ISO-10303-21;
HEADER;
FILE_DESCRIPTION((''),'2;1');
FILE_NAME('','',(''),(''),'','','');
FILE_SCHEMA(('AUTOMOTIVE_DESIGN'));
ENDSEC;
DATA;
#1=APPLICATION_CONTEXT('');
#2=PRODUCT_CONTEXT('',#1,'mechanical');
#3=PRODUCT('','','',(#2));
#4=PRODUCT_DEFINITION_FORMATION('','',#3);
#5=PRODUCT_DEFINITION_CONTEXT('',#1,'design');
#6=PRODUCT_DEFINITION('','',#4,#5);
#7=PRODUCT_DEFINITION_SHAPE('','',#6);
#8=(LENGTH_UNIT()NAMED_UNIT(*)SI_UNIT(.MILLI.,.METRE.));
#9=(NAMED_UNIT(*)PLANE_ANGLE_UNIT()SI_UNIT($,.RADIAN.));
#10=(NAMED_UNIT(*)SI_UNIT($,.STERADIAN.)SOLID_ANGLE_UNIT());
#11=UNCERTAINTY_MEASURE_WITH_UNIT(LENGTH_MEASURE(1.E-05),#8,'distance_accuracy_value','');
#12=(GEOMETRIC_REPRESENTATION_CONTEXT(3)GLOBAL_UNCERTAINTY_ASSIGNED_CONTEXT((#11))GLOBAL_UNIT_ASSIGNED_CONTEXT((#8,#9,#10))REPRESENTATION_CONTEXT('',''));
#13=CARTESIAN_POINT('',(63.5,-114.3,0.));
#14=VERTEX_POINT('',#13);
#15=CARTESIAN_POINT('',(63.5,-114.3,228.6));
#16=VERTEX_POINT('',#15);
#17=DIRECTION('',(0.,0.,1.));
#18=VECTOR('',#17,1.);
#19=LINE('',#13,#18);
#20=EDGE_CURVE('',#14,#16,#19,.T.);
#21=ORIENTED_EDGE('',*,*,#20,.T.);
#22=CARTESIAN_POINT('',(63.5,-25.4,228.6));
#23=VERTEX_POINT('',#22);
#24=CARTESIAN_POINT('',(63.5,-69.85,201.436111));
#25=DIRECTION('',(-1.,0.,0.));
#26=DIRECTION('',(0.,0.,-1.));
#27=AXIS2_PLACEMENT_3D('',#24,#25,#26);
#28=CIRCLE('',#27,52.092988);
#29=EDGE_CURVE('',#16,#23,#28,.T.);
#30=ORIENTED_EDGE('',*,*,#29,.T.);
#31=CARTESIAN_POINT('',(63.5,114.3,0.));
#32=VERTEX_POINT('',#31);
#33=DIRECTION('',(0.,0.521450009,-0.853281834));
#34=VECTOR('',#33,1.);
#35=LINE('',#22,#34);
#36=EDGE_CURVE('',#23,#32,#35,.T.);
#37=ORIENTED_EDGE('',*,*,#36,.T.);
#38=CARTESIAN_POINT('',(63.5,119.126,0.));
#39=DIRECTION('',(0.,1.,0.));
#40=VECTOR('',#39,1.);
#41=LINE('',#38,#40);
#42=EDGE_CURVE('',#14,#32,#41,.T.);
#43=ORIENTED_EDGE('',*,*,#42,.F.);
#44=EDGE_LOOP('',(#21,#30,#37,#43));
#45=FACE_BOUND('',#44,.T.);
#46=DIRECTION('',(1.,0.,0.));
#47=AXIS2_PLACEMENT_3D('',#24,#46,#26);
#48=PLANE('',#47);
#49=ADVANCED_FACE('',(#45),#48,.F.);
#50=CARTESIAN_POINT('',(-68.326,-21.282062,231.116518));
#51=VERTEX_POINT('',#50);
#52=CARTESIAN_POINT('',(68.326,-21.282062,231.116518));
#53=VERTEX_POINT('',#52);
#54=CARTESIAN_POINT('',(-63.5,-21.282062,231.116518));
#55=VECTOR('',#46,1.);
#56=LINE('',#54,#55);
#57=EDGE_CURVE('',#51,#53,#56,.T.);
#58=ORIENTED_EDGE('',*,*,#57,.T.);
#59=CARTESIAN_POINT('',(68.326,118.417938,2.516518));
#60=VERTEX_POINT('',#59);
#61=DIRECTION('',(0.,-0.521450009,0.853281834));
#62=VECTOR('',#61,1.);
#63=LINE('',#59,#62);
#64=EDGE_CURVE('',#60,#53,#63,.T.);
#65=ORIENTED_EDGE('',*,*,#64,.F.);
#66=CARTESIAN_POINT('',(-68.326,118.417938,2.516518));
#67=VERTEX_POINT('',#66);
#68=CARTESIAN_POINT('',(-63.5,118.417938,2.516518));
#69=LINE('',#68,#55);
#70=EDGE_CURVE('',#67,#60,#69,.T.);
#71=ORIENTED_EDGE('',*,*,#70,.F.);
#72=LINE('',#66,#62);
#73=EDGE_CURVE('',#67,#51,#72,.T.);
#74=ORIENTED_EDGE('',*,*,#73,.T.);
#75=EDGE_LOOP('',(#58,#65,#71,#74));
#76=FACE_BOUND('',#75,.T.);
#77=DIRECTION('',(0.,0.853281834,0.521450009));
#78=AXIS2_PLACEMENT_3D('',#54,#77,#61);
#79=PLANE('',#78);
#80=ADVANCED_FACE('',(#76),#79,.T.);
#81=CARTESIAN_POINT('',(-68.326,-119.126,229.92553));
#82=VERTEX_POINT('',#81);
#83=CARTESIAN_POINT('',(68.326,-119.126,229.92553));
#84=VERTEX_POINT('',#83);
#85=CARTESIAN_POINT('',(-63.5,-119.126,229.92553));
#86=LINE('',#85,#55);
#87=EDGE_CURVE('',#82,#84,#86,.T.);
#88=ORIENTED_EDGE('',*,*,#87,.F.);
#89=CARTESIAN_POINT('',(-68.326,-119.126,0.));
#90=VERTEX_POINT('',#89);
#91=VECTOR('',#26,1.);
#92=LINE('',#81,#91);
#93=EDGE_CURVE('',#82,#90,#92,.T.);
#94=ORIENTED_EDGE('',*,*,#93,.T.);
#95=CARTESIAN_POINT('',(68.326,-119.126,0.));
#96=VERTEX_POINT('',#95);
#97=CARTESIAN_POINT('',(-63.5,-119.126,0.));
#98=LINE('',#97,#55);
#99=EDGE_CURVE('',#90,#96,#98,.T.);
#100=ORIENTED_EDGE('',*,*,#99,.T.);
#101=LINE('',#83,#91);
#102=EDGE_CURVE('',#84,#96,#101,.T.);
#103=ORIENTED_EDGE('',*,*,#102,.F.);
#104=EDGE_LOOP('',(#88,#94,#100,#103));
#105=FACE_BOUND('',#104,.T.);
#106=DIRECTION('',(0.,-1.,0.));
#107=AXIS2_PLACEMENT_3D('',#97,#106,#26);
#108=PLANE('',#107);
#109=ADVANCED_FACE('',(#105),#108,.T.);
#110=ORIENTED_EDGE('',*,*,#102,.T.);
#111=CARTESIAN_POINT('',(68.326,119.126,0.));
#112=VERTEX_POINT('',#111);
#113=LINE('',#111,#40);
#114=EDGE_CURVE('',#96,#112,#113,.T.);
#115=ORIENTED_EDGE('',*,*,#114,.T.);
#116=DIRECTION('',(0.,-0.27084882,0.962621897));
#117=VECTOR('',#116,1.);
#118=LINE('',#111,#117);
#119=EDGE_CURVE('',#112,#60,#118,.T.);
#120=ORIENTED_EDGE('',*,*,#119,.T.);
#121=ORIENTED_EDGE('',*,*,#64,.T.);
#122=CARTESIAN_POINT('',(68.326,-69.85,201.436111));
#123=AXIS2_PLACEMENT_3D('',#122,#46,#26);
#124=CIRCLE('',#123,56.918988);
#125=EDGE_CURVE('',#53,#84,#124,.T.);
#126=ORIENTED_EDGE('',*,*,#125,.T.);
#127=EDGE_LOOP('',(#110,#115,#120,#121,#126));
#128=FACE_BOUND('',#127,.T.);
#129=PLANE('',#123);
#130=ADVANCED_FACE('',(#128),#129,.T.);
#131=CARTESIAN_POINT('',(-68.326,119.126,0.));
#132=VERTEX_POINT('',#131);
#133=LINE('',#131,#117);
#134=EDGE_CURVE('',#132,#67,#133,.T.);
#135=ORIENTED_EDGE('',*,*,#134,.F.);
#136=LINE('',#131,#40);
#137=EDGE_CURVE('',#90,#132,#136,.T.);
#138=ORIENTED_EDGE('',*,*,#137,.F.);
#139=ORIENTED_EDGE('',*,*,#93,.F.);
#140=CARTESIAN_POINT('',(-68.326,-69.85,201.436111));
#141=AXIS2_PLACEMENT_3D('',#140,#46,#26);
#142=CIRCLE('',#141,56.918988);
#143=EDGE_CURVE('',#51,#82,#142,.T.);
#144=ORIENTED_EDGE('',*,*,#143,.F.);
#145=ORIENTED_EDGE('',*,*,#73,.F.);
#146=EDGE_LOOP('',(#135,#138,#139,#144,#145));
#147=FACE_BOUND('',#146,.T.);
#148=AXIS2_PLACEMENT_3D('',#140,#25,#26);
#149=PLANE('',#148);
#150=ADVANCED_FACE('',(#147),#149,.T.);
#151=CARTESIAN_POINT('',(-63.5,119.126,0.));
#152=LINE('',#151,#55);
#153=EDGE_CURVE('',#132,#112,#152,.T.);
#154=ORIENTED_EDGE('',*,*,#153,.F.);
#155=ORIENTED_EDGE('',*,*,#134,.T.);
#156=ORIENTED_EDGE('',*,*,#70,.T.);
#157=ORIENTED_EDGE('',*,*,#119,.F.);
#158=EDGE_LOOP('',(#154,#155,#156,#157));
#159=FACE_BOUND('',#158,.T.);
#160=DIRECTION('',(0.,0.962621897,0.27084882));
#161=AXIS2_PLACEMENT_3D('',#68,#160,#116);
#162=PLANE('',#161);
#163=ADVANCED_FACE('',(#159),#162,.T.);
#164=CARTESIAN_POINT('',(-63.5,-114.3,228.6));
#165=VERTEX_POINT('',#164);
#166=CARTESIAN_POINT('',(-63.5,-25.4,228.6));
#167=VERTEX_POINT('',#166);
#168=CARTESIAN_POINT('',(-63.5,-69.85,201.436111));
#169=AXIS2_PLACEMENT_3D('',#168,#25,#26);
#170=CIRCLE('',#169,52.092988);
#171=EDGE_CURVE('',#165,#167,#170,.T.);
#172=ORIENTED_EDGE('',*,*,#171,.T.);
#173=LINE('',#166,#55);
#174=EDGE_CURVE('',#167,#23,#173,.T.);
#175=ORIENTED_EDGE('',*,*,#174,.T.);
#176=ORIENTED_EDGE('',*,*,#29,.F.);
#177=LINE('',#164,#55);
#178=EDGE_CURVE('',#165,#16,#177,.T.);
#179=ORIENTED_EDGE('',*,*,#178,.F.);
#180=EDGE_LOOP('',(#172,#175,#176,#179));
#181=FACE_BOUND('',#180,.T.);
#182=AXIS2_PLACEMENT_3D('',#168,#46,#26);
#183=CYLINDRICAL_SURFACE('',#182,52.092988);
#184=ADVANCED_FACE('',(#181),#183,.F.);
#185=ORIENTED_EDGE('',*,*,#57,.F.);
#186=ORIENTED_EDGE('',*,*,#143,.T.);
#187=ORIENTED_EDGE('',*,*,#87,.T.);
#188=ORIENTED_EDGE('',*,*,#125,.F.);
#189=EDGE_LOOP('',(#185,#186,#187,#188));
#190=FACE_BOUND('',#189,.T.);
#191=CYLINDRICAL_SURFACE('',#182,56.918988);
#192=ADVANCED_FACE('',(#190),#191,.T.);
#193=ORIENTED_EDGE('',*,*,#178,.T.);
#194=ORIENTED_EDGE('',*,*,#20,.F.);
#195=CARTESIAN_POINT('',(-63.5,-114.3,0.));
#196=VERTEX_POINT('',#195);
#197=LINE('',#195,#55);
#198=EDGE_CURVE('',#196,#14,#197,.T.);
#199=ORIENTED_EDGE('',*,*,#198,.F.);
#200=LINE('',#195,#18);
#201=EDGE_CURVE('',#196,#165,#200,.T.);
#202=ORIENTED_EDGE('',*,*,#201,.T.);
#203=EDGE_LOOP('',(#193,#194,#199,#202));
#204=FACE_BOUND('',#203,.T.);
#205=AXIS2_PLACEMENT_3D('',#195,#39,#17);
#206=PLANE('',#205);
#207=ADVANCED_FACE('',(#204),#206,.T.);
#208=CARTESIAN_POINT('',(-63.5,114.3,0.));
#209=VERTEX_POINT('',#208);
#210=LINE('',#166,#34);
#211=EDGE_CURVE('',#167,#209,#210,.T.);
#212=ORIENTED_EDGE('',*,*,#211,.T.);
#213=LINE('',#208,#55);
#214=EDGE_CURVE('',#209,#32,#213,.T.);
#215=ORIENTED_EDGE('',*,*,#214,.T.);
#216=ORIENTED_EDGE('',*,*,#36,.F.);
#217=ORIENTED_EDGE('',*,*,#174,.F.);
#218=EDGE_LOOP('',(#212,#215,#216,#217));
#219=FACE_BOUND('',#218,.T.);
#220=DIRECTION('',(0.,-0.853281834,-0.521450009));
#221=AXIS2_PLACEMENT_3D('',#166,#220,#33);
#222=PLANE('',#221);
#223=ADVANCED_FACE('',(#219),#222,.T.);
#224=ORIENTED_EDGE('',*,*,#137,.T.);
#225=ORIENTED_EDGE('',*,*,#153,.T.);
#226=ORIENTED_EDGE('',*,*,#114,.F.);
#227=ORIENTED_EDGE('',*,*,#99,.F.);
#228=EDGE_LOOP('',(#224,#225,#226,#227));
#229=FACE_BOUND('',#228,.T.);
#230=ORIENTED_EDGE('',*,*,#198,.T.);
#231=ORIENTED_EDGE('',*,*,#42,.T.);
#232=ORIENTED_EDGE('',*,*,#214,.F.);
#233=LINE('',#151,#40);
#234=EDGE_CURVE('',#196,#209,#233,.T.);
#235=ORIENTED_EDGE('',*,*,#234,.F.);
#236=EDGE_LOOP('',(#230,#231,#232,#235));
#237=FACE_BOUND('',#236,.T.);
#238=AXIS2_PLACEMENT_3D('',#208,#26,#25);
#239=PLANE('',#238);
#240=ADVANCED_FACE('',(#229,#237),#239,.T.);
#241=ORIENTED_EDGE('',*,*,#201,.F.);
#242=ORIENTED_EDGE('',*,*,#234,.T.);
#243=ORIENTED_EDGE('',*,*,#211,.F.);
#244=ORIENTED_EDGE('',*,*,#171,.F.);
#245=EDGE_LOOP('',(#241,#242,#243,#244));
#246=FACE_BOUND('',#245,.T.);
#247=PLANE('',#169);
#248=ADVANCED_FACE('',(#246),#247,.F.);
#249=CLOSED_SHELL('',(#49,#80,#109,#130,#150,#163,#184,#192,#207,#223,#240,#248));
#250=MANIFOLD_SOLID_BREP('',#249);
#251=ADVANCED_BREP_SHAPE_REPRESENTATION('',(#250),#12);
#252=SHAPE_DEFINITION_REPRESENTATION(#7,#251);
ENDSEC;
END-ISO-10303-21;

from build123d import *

# Parameters (mm, degrees)
BOSS_EXTRUDE1_DEPTH      = 63.5
BOSS_EXTRUDE1_DEPTH_BACK = 63.5
BOSS_EXTRUDE2_DEPTH      = 4.826


with BuildPart() as part:
    # Sketch1 → Boss-Extrude1 (new, two sides: drawn at the far end of the back side and taken through both)
    with BuildSketch(Plane(origin=(0, 0, 0), x_dir=(0, 0, -1), z_dir=(1, 0, 0)).offset(-BOSS_EXTRUDE1_DEPTH_BACK)):
        with BuildLine():
            Line((0, -114.3), (-228.6, -114.3))
            ThreePointArc((-228.6, -114.3), (-253.529098735, -69.85), (-228.6, -25.4))
            Line((-228.6, -25.4), (0, 114.3))
            Line((0, 114.3), (0, 119.126))
            Line((0, 119.126), (-2.516517746, 118.417938129))
            Line((-2.516517746, 118.417938129), (-231.116517746, -21.282061871))
            ThreePointArc((-231.116517746, -21.282061871), (-258.35088249, -70.54278495), (-229.92552978, -119.126))
            Line((-229.92552978, -119.126), (0, -119.126))
            Line((0, -119.126), (0, -114.3))
        make_face()
    extrude(amount=BOSS_EXTRUDE1_DEPTH + BOSS_EXTRUDE1_DEPTH_BACK)

    # Sketch2 → Boss-Extrude2 (add)
    with BuildSketch(Plane(origin=(63.5, 0, 0), x_dir=(0, 0, -1), z_dir=(1, 0, 0))):
        with BuildLine():
            Line((-229.92552978, -119.126), (0, -119.126))
            Line((0, -119.126), (0, 119.126))
            Line((0, 119.126), (-2.516517746, 118.417938129))
            Line((-2.516517746, 118.417938129), (-231.116517746, -21.282061871))
            ThreePointArc((-231.116517746, -21.282061871), (-258.35088249, -70.54278495), (-229.92552978, -119.126))
        make_face()
    boss_extrude2 = extrude(amount=BOSS_EXTRUDE2_DEPTH)

    # Mirror1: Boss-Extrude2 across plane
    add(boss_extrude2.mirror(Plane(origin=(0, 0, 0), x_dir=(0, 0, 1), z_dir=(1, 0, 0))))


solid = part.part
